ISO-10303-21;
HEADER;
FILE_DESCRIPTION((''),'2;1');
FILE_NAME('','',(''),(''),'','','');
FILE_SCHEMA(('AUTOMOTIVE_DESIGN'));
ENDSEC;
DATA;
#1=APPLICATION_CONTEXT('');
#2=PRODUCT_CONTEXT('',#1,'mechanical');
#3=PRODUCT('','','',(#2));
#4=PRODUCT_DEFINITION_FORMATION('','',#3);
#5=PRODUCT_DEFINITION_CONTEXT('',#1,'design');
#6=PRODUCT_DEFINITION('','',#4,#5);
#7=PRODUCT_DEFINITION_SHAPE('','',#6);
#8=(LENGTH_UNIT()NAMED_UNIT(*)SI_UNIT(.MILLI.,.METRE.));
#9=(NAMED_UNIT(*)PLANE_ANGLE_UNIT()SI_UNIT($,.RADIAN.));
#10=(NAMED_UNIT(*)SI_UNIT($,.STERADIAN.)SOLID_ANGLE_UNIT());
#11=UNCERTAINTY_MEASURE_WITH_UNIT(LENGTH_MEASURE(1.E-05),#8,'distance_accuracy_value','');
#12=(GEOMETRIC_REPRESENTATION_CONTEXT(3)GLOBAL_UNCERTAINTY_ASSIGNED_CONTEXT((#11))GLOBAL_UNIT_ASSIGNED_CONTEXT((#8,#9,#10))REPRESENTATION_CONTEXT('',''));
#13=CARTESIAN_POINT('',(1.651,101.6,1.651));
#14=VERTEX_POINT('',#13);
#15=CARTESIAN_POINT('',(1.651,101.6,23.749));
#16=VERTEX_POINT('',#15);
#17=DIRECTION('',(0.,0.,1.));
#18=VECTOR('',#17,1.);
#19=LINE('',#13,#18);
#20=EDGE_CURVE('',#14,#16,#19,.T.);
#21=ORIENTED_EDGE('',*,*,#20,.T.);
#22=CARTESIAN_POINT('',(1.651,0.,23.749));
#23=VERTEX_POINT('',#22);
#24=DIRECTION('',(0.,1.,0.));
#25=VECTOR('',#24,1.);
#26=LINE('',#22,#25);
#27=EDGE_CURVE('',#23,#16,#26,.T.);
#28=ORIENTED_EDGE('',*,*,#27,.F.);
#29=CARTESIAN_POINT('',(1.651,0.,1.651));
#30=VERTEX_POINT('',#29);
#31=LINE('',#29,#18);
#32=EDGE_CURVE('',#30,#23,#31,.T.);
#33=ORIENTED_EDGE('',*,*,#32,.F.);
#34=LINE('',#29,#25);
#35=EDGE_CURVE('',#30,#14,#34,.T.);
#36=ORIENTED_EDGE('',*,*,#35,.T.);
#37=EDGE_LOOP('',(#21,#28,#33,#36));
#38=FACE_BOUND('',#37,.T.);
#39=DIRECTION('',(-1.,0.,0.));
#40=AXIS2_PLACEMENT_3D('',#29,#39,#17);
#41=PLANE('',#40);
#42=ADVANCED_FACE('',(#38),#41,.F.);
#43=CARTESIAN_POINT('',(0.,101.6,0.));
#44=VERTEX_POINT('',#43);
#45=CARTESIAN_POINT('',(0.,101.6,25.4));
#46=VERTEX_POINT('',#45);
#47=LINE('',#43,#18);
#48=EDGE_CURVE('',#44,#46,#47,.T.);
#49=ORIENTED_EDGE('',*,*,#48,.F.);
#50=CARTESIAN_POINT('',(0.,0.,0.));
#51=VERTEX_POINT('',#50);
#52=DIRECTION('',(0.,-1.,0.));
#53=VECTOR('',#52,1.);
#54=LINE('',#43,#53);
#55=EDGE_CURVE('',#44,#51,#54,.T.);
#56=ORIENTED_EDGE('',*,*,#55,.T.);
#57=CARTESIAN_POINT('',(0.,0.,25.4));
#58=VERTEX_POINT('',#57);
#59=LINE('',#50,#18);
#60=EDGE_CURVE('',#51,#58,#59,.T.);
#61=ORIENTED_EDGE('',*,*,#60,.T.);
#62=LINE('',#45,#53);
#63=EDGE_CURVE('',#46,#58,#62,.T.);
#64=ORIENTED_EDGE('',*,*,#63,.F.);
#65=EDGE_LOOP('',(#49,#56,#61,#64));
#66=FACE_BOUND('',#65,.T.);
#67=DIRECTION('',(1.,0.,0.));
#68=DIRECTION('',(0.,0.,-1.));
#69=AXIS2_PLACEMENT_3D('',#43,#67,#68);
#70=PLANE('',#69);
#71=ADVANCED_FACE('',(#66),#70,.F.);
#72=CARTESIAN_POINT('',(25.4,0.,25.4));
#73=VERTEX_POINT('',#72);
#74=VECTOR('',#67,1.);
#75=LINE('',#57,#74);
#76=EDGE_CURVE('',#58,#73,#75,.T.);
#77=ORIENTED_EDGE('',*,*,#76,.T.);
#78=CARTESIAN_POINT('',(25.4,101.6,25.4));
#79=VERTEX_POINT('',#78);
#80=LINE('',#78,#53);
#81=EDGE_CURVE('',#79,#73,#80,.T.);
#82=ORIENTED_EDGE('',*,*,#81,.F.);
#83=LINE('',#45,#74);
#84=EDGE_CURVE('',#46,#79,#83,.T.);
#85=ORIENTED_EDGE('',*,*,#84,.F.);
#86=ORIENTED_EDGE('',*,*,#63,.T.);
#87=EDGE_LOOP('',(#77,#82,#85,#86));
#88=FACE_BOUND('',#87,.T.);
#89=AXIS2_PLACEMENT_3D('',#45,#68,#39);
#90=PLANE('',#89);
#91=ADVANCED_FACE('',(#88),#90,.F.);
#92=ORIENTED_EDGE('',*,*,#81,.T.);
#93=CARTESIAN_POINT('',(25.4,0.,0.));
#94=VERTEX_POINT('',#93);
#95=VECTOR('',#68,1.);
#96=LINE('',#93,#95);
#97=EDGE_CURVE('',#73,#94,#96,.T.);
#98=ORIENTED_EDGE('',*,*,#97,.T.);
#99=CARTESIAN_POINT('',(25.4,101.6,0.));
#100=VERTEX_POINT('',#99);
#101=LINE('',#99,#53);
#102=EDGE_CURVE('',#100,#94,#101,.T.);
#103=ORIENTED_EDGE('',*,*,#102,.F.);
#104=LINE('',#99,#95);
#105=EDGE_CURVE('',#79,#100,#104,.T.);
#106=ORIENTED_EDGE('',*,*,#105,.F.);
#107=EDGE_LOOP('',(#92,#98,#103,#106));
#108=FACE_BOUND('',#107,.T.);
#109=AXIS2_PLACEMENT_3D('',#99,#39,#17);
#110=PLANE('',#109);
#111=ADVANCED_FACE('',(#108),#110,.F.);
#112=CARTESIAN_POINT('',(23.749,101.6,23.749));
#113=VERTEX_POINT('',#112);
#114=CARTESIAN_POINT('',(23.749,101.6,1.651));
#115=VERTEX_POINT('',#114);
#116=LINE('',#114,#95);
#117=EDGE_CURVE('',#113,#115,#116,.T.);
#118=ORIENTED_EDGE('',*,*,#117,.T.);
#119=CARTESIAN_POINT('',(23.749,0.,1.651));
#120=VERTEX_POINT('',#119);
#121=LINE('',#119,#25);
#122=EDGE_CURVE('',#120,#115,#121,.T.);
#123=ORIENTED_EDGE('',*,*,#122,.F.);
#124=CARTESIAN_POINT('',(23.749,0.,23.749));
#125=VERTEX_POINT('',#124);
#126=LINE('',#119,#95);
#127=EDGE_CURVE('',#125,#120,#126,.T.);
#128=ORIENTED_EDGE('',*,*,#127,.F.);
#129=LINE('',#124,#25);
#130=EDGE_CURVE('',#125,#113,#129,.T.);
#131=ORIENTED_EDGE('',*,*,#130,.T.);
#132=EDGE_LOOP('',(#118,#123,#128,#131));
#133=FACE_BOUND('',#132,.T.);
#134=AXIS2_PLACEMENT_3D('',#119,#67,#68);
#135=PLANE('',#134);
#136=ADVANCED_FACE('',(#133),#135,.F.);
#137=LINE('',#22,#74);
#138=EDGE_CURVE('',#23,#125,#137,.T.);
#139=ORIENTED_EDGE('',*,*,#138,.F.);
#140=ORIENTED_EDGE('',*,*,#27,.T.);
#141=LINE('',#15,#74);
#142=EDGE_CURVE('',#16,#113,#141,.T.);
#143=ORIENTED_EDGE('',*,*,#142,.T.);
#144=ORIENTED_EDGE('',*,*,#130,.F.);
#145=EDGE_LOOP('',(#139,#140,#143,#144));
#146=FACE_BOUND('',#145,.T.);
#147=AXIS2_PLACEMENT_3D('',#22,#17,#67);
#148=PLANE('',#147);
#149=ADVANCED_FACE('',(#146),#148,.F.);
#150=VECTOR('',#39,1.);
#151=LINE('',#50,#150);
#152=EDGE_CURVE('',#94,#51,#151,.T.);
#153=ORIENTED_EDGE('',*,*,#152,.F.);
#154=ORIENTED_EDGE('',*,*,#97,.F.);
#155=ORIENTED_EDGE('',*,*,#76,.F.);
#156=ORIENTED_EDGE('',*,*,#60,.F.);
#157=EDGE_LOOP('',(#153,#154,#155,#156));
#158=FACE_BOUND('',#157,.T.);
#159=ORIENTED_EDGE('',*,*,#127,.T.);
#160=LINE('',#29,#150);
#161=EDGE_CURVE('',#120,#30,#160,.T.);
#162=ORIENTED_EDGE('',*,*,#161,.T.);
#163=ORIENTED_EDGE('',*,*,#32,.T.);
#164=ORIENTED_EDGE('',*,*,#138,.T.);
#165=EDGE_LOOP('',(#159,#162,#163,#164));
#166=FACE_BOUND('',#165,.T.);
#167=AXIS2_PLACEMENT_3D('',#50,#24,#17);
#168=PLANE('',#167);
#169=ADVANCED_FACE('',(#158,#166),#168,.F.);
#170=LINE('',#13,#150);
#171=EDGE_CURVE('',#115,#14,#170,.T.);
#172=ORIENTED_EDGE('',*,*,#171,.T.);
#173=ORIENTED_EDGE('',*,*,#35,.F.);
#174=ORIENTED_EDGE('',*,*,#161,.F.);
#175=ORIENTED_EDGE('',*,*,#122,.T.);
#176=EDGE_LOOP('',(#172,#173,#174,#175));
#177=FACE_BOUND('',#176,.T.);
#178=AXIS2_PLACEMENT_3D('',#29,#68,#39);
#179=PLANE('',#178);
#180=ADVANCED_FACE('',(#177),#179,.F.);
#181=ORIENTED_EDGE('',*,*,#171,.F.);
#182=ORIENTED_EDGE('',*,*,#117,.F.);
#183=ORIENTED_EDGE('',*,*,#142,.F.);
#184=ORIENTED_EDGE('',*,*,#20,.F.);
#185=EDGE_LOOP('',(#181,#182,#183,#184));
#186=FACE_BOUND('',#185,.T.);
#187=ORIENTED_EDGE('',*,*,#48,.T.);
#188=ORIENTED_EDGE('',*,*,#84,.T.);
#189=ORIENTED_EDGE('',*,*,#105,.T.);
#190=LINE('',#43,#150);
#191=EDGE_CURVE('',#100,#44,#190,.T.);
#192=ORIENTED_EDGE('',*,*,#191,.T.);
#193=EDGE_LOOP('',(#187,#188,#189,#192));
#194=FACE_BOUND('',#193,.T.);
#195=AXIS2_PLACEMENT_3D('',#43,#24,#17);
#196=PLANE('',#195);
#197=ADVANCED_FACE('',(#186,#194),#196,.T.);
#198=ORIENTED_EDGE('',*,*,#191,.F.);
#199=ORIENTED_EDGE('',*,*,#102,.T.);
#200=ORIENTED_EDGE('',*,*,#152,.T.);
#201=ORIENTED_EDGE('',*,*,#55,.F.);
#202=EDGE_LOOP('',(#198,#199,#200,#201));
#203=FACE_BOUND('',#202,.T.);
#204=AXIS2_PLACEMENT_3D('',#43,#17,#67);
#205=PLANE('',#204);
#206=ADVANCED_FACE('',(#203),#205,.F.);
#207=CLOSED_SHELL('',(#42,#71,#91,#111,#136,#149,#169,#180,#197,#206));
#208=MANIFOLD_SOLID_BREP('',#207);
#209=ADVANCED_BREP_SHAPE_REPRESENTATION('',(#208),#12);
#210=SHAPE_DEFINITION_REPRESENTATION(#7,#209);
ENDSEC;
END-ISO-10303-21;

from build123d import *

# Parameters (mm, degrees)
SKETCH1_W           = 25.4
SKETCH1_H           = 25.4
BOSS_EXTRUDE1_DEPTH = 101.6
SKETCH2_W           = 22.098
SKETCH2_H           = 22.098
CUT_EXTRUDE1_DEPTH  = 101.6


with BuildPart() as part:
    # Sketch1 → Boss-Extrude1 (new body)
    with BuildSketch(Plane(origin=(0, 0, 0), x_dir=(1, 0, 0), z_dir=(0, 1, 0))):
        with Locations((12.7, -12.7)):
            Rectangle(SKETCH1_W, SKETCH1_H)
    extrude(amount=BOSS_EXTRUDE1_DEPTH)

    # Sketch2 → Cut-Extrude1 (cut)
    with BuildSketch(Plane(origin=(0, 101.6, 0), x_dir=(1, 0, 0), z_dir=(0, 1, 0))):
        with Locations((12.7, -12.7)):
            Rectangle(SKETCH2_W, SKETCH2_H)
    extrude(amount=-CUT_EXTRUDE1_DEPTH, mode=Mode.SUBTRACT)


solid = part.part
